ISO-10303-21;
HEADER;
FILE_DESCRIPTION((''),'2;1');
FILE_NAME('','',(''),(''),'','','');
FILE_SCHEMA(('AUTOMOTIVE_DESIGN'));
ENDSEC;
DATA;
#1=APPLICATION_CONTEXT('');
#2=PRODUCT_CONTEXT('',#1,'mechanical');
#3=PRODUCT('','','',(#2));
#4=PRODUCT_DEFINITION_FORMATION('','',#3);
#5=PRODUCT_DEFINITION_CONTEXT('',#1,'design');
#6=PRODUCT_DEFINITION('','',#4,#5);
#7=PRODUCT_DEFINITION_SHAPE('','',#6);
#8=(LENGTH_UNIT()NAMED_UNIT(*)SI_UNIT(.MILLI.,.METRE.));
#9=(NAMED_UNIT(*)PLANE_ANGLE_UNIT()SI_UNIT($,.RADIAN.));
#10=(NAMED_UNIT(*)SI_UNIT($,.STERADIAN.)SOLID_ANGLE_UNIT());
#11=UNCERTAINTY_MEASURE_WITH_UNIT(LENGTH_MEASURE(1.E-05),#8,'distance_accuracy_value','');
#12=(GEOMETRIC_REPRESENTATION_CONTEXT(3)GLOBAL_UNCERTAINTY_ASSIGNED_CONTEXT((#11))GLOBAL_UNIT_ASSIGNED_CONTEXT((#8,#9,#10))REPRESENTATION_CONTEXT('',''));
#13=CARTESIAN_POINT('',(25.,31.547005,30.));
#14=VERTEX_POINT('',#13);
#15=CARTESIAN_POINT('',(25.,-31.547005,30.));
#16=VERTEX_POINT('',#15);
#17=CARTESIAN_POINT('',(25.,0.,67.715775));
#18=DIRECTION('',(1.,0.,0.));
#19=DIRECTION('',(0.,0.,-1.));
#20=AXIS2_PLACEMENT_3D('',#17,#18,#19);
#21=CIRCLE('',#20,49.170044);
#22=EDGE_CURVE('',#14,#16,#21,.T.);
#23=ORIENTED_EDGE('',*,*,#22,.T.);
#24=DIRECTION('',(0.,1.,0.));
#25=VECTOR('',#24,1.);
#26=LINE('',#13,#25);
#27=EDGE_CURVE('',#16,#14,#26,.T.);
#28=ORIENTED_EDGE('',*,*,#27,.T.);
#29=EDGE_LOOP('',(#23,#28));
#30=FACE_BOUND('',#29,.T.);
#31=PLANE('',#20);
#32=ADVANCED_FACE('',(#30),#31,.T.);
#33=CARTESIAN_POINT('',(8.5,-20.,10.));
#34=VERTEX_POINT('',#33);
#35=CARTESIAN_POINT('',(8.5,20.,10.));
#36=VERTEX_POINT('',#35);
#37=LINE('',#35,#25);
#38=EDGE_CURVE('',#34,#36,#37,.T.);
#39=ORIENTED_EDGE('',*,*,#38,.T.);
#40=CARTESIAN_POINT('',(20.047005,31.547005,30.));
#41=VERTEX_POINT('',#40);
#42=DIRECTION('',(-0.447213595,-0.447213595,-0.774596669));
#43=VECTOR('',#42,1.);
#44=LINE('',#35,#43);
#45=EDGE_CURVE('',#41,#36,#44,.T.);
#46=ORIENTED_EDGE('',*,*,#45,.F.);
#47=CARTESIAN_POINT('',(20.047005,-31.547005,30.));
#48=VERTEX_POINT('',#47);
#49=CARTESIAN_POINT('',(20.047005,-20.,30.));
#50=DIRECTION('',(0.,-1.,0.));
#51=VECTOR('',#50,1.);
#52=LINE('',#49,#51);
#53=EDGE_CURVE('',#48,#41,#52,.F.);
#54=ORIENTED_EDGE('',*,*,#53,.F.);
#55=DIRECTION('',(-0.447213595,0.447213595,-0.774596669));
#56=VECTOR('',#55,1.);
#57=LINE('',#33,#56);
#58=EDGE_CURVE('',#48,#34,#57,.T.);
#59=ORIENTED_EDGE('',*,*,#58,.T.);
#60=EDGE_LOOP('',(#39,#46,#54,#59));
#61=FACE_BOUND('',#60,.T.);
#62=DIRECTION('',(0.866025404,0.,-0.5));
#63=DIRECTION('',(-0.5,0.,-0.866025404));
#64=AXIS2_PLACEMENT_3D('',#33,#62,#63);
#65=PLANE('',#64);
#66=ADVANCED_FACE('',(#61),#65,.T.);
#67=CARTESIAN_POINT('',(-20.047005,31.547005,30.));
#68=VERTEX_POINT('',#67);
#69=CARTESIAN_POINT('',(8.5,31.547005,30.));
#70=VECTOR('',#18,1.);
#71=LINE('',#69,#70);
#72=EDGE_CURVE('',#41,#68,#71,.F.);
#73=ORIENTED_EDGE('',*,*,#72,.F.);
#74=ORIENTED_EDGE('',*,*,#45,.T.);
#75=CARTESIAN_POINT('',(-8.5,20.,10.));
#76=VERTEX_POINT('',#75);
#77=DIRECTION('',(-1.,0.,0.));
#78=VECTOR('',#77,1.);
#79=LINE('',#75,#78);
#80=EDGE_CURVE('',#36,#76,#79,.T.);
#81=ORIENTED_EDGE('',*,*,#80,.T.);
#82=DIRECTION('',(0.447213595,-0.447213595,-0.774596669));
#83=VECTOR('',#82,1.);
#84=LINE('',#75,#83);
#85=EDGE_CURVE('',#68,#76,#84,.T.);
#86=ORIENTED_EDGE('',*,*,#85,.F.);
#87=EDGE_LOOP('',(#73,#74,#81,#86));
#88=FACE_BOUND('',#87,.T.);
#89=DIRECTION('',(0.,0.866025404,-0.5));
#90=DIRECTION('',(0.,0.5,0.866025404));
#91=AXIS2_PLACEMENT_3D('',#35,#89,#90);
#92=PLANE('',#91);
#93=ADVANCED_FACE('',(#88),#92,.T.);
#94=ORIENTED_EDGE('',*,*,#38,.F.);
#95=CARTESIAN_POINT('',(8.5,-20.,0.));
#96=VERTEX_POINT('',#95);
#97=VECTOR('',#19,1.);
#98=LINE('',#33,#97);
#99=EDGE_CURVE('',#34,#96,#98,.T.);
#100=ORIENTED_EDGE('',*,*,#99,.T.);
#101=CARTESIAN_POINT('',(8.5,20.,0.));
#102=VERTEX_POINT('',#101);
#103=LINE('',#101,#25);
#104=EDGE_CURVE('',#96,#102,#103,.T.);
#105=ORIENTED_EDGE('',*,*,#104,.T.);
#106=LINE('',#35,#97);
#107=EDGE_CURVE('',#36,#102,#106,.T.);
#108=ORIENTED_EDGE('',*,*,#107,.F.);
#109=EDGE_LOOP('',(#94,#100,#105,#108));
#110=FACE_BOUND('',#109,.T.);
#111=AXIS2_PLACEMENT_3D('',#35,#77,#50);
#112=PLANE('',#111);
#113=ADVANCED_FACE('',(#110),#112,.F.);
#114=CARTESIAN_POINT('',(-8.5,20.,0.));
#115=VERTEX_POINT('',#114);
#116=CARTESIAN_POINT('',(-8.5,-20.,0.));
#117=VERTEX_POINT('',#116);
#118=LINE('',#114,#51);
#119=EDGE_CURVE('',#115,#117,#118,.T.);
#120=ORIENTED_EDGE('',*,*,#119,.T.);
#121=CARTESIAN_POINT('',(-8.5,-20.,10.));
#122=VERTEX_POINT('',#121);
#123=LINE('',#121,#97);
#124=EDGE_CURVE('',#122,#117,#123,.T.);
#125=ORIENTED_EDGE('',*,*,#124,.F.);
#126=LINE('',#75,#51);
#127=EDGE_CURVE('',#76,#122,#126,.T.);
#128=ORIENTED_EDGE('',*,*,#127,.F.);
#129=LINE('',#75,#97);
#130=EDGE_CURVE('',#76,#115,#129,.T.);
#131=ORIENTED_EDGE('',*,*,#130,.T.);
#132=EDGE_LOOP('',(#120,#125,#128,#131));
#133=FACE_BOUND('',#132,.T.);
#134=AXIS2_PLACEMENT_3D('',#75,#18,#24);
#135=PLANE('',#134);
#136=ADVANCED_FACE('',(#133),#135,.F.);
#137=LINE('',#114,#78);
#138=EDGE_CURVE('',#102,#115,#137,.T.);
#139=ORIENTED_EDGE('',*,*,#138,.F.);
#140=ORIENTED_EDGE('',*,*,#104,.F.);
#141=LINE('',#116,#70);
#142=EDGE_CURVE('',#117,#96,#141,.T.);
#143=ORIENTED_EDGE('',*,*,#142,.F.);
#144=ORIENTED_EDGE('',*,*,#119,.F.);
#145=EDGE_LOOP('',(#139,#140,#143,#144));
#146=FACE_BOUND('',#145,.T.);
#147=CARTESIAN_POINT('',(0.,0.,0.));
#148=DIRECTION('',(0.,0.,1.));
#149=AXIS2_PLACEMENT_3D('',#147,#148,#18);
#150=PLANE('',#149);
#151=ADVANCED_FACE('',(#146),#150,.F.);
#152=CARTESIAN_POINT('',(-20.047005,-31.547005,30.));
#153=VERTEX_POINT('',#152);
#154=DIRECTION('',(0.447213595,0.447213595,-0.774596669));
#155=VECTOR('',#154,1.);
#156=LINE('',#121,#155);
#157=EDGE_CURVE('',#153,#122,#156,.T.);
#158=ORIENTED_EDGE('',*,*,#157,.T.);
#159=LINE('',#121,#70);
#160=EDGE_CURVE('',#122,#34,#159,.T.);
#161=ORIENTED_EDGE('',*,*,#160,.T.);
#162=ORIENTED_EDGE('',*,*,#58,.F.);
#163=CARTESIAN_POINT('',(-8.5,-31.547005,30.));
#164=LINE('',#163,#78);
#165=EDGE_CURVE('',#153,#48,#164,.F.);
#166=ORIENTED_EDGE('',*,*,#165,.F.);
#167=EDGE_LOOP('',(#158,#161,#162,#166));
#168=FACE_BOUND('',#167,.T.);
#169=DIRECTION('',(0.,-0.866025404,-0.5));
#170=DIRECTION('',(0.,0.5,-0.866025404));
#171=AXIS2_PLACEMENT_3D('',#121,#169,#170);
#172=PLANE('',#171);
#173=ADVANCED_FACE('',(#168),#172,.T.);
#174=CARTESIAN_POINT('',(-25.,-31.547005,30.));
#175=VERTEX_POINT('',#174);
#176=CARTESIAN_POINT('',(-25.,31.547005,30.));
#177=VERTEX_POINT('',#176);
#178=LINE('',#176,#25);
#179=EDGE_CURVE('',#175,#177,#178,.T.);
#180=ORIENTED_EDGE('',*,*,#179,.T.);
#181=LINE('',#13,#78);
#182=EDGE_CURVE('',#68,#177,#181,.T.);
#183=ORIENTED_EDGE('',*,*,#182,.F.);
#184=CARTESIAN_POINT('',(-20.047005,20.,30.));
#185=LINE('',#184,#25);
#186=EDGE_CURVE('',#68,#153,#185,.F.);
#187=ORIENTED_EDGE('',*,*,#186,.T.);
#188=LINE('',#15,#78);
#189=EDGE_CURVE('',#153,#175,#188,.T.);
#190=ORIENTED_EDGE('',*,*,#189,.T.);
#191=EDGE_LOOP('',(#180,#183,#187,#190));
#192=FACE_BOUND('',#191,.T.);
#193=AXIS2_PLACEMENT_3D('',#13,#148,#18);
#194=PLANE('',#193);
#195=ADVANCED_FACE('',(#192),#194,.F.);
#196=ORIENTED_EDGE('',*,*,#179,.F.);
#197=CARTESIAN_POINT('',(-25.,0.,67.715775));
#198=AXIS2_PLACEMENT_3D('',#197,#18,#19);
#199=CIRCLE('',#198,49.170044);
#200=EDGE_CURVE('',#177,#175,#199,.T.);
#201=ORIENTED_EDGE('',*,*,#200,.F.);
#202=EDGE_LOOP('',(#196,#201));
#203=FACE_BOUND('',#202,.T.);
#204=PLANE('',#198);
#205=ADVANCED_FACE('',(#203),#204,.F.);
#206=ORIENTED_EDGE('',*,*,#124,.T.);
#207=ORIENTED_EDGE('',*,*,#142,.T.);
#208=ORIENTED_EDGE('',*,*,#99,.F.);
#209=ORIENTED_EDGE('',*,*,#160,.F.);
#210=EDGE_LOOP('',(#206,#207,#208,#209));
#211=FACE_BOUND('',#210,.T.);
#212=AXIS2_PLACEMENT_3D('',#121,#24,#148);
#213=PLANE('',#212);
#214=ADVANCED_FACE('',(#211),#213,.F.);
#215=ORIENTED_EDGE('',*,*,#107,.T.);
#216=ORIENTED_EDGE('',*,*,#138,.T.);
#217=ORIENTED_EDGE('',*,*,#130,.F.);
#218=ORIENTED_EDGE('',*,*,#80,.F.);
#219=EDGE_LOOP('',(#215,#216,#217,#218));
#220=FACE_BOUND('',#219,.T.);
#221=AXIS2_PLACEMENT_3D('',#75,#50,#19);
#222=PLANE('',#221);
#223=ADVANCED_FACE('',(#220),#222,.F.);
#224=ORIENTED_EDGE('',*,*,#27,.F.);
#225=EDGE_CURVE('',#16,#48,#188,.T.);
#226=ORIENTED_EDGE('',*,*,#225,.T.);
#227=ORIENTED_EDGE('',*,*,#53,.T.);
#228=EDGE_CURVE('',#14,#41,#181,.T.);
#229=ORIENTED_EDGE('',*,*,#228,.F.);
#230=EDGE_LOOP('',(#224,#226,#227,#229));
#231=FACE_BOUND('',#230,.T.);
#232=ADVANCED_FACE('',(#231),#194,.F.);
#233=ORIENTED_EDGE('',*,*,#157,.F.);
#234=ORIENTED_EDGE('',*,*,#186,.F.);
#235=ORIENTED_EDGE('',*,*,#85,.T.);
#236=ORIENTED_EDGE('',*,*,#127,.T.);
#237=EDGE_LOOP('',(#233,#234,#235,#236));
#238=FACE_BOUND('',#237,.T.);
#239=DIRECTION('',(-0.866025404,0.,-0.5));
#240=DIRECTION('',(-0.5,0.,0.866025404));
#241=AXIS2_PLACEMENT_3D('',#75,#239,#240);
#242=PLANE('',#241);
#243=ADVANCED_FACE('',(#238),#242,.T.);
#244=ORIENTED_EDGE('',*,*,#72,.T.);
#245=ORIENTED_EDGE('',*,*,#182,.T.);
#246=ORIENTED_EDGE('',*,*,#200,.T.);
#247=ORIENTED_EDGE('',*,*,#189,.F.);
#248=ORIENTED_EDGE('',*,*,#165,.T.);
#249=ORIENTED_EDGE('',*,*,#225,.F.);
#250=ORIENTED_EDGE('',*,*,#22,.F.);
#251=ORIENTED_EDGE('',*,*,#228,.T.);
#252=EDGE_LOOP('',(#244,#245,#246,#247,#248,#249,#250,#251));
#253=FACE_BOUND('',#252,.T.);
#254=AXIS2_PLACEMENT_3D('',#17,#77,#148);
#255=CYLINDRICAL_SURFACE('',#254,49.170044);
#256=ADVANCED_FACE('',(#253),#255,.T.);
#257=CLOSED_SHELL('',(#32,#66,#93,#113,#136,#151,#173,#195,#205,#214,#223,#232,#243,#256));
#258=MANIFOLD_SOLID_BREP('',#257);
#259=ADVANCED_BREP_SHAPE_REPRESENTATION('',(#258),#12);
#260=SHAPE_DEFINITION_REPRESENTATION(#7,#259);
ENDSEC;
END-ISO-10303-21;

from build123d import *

# Parameters (mm, degrees)
SKETCH_1_W      = 17
SKETCH_1_H      = 40
EXTRUDE_1_DEPTH = 10
SKETCH_2_W      = 17
SKETCH_2_H      = 40
EXTRUDE_2_DEPTH = 20
EXTRUDE_2_TAPER = -30
EXTRUDE_3_DEPTH = 25


with BuildPart() as part:
    # 草图1 → 凸台-拉伸1 (new body)
    with BuildSketch(Plane.XY):
        Rectangle(SKETCH_1_W, SKETCH_1_H)
    extrude(amount=EXTRUDE_1_DEPTH)

    # 草图2 → 凸台-拉伸2 (add)
    with BuildSketch(Plane.XY.offset(10)):
        Rectangle(SKETCH_2_W, SKETCH_2_H)
    extrude(amount=EXTRUDE_2_DEPTH, taper=EXTRUDE_2_TAPER)

    # 草图3 → 凸台-拉伸3 (add, symmetric)
    with BuildSketch(Plane(origin=(0, 0, 0), x_dir=(0, 0, -1), z_dir=(1, 0, 0))):
        with BuildLine():
            Line((-30, 31.547005384), (-30, -31.547005384))
            ThreePointArc((-30, -31.547005384), (-116.885818272, 0), (-30, 31.547005384))
        make_face()
    extrude(amount=EXTRUDE_3_DEPTH, both=True)


solid = part.part
